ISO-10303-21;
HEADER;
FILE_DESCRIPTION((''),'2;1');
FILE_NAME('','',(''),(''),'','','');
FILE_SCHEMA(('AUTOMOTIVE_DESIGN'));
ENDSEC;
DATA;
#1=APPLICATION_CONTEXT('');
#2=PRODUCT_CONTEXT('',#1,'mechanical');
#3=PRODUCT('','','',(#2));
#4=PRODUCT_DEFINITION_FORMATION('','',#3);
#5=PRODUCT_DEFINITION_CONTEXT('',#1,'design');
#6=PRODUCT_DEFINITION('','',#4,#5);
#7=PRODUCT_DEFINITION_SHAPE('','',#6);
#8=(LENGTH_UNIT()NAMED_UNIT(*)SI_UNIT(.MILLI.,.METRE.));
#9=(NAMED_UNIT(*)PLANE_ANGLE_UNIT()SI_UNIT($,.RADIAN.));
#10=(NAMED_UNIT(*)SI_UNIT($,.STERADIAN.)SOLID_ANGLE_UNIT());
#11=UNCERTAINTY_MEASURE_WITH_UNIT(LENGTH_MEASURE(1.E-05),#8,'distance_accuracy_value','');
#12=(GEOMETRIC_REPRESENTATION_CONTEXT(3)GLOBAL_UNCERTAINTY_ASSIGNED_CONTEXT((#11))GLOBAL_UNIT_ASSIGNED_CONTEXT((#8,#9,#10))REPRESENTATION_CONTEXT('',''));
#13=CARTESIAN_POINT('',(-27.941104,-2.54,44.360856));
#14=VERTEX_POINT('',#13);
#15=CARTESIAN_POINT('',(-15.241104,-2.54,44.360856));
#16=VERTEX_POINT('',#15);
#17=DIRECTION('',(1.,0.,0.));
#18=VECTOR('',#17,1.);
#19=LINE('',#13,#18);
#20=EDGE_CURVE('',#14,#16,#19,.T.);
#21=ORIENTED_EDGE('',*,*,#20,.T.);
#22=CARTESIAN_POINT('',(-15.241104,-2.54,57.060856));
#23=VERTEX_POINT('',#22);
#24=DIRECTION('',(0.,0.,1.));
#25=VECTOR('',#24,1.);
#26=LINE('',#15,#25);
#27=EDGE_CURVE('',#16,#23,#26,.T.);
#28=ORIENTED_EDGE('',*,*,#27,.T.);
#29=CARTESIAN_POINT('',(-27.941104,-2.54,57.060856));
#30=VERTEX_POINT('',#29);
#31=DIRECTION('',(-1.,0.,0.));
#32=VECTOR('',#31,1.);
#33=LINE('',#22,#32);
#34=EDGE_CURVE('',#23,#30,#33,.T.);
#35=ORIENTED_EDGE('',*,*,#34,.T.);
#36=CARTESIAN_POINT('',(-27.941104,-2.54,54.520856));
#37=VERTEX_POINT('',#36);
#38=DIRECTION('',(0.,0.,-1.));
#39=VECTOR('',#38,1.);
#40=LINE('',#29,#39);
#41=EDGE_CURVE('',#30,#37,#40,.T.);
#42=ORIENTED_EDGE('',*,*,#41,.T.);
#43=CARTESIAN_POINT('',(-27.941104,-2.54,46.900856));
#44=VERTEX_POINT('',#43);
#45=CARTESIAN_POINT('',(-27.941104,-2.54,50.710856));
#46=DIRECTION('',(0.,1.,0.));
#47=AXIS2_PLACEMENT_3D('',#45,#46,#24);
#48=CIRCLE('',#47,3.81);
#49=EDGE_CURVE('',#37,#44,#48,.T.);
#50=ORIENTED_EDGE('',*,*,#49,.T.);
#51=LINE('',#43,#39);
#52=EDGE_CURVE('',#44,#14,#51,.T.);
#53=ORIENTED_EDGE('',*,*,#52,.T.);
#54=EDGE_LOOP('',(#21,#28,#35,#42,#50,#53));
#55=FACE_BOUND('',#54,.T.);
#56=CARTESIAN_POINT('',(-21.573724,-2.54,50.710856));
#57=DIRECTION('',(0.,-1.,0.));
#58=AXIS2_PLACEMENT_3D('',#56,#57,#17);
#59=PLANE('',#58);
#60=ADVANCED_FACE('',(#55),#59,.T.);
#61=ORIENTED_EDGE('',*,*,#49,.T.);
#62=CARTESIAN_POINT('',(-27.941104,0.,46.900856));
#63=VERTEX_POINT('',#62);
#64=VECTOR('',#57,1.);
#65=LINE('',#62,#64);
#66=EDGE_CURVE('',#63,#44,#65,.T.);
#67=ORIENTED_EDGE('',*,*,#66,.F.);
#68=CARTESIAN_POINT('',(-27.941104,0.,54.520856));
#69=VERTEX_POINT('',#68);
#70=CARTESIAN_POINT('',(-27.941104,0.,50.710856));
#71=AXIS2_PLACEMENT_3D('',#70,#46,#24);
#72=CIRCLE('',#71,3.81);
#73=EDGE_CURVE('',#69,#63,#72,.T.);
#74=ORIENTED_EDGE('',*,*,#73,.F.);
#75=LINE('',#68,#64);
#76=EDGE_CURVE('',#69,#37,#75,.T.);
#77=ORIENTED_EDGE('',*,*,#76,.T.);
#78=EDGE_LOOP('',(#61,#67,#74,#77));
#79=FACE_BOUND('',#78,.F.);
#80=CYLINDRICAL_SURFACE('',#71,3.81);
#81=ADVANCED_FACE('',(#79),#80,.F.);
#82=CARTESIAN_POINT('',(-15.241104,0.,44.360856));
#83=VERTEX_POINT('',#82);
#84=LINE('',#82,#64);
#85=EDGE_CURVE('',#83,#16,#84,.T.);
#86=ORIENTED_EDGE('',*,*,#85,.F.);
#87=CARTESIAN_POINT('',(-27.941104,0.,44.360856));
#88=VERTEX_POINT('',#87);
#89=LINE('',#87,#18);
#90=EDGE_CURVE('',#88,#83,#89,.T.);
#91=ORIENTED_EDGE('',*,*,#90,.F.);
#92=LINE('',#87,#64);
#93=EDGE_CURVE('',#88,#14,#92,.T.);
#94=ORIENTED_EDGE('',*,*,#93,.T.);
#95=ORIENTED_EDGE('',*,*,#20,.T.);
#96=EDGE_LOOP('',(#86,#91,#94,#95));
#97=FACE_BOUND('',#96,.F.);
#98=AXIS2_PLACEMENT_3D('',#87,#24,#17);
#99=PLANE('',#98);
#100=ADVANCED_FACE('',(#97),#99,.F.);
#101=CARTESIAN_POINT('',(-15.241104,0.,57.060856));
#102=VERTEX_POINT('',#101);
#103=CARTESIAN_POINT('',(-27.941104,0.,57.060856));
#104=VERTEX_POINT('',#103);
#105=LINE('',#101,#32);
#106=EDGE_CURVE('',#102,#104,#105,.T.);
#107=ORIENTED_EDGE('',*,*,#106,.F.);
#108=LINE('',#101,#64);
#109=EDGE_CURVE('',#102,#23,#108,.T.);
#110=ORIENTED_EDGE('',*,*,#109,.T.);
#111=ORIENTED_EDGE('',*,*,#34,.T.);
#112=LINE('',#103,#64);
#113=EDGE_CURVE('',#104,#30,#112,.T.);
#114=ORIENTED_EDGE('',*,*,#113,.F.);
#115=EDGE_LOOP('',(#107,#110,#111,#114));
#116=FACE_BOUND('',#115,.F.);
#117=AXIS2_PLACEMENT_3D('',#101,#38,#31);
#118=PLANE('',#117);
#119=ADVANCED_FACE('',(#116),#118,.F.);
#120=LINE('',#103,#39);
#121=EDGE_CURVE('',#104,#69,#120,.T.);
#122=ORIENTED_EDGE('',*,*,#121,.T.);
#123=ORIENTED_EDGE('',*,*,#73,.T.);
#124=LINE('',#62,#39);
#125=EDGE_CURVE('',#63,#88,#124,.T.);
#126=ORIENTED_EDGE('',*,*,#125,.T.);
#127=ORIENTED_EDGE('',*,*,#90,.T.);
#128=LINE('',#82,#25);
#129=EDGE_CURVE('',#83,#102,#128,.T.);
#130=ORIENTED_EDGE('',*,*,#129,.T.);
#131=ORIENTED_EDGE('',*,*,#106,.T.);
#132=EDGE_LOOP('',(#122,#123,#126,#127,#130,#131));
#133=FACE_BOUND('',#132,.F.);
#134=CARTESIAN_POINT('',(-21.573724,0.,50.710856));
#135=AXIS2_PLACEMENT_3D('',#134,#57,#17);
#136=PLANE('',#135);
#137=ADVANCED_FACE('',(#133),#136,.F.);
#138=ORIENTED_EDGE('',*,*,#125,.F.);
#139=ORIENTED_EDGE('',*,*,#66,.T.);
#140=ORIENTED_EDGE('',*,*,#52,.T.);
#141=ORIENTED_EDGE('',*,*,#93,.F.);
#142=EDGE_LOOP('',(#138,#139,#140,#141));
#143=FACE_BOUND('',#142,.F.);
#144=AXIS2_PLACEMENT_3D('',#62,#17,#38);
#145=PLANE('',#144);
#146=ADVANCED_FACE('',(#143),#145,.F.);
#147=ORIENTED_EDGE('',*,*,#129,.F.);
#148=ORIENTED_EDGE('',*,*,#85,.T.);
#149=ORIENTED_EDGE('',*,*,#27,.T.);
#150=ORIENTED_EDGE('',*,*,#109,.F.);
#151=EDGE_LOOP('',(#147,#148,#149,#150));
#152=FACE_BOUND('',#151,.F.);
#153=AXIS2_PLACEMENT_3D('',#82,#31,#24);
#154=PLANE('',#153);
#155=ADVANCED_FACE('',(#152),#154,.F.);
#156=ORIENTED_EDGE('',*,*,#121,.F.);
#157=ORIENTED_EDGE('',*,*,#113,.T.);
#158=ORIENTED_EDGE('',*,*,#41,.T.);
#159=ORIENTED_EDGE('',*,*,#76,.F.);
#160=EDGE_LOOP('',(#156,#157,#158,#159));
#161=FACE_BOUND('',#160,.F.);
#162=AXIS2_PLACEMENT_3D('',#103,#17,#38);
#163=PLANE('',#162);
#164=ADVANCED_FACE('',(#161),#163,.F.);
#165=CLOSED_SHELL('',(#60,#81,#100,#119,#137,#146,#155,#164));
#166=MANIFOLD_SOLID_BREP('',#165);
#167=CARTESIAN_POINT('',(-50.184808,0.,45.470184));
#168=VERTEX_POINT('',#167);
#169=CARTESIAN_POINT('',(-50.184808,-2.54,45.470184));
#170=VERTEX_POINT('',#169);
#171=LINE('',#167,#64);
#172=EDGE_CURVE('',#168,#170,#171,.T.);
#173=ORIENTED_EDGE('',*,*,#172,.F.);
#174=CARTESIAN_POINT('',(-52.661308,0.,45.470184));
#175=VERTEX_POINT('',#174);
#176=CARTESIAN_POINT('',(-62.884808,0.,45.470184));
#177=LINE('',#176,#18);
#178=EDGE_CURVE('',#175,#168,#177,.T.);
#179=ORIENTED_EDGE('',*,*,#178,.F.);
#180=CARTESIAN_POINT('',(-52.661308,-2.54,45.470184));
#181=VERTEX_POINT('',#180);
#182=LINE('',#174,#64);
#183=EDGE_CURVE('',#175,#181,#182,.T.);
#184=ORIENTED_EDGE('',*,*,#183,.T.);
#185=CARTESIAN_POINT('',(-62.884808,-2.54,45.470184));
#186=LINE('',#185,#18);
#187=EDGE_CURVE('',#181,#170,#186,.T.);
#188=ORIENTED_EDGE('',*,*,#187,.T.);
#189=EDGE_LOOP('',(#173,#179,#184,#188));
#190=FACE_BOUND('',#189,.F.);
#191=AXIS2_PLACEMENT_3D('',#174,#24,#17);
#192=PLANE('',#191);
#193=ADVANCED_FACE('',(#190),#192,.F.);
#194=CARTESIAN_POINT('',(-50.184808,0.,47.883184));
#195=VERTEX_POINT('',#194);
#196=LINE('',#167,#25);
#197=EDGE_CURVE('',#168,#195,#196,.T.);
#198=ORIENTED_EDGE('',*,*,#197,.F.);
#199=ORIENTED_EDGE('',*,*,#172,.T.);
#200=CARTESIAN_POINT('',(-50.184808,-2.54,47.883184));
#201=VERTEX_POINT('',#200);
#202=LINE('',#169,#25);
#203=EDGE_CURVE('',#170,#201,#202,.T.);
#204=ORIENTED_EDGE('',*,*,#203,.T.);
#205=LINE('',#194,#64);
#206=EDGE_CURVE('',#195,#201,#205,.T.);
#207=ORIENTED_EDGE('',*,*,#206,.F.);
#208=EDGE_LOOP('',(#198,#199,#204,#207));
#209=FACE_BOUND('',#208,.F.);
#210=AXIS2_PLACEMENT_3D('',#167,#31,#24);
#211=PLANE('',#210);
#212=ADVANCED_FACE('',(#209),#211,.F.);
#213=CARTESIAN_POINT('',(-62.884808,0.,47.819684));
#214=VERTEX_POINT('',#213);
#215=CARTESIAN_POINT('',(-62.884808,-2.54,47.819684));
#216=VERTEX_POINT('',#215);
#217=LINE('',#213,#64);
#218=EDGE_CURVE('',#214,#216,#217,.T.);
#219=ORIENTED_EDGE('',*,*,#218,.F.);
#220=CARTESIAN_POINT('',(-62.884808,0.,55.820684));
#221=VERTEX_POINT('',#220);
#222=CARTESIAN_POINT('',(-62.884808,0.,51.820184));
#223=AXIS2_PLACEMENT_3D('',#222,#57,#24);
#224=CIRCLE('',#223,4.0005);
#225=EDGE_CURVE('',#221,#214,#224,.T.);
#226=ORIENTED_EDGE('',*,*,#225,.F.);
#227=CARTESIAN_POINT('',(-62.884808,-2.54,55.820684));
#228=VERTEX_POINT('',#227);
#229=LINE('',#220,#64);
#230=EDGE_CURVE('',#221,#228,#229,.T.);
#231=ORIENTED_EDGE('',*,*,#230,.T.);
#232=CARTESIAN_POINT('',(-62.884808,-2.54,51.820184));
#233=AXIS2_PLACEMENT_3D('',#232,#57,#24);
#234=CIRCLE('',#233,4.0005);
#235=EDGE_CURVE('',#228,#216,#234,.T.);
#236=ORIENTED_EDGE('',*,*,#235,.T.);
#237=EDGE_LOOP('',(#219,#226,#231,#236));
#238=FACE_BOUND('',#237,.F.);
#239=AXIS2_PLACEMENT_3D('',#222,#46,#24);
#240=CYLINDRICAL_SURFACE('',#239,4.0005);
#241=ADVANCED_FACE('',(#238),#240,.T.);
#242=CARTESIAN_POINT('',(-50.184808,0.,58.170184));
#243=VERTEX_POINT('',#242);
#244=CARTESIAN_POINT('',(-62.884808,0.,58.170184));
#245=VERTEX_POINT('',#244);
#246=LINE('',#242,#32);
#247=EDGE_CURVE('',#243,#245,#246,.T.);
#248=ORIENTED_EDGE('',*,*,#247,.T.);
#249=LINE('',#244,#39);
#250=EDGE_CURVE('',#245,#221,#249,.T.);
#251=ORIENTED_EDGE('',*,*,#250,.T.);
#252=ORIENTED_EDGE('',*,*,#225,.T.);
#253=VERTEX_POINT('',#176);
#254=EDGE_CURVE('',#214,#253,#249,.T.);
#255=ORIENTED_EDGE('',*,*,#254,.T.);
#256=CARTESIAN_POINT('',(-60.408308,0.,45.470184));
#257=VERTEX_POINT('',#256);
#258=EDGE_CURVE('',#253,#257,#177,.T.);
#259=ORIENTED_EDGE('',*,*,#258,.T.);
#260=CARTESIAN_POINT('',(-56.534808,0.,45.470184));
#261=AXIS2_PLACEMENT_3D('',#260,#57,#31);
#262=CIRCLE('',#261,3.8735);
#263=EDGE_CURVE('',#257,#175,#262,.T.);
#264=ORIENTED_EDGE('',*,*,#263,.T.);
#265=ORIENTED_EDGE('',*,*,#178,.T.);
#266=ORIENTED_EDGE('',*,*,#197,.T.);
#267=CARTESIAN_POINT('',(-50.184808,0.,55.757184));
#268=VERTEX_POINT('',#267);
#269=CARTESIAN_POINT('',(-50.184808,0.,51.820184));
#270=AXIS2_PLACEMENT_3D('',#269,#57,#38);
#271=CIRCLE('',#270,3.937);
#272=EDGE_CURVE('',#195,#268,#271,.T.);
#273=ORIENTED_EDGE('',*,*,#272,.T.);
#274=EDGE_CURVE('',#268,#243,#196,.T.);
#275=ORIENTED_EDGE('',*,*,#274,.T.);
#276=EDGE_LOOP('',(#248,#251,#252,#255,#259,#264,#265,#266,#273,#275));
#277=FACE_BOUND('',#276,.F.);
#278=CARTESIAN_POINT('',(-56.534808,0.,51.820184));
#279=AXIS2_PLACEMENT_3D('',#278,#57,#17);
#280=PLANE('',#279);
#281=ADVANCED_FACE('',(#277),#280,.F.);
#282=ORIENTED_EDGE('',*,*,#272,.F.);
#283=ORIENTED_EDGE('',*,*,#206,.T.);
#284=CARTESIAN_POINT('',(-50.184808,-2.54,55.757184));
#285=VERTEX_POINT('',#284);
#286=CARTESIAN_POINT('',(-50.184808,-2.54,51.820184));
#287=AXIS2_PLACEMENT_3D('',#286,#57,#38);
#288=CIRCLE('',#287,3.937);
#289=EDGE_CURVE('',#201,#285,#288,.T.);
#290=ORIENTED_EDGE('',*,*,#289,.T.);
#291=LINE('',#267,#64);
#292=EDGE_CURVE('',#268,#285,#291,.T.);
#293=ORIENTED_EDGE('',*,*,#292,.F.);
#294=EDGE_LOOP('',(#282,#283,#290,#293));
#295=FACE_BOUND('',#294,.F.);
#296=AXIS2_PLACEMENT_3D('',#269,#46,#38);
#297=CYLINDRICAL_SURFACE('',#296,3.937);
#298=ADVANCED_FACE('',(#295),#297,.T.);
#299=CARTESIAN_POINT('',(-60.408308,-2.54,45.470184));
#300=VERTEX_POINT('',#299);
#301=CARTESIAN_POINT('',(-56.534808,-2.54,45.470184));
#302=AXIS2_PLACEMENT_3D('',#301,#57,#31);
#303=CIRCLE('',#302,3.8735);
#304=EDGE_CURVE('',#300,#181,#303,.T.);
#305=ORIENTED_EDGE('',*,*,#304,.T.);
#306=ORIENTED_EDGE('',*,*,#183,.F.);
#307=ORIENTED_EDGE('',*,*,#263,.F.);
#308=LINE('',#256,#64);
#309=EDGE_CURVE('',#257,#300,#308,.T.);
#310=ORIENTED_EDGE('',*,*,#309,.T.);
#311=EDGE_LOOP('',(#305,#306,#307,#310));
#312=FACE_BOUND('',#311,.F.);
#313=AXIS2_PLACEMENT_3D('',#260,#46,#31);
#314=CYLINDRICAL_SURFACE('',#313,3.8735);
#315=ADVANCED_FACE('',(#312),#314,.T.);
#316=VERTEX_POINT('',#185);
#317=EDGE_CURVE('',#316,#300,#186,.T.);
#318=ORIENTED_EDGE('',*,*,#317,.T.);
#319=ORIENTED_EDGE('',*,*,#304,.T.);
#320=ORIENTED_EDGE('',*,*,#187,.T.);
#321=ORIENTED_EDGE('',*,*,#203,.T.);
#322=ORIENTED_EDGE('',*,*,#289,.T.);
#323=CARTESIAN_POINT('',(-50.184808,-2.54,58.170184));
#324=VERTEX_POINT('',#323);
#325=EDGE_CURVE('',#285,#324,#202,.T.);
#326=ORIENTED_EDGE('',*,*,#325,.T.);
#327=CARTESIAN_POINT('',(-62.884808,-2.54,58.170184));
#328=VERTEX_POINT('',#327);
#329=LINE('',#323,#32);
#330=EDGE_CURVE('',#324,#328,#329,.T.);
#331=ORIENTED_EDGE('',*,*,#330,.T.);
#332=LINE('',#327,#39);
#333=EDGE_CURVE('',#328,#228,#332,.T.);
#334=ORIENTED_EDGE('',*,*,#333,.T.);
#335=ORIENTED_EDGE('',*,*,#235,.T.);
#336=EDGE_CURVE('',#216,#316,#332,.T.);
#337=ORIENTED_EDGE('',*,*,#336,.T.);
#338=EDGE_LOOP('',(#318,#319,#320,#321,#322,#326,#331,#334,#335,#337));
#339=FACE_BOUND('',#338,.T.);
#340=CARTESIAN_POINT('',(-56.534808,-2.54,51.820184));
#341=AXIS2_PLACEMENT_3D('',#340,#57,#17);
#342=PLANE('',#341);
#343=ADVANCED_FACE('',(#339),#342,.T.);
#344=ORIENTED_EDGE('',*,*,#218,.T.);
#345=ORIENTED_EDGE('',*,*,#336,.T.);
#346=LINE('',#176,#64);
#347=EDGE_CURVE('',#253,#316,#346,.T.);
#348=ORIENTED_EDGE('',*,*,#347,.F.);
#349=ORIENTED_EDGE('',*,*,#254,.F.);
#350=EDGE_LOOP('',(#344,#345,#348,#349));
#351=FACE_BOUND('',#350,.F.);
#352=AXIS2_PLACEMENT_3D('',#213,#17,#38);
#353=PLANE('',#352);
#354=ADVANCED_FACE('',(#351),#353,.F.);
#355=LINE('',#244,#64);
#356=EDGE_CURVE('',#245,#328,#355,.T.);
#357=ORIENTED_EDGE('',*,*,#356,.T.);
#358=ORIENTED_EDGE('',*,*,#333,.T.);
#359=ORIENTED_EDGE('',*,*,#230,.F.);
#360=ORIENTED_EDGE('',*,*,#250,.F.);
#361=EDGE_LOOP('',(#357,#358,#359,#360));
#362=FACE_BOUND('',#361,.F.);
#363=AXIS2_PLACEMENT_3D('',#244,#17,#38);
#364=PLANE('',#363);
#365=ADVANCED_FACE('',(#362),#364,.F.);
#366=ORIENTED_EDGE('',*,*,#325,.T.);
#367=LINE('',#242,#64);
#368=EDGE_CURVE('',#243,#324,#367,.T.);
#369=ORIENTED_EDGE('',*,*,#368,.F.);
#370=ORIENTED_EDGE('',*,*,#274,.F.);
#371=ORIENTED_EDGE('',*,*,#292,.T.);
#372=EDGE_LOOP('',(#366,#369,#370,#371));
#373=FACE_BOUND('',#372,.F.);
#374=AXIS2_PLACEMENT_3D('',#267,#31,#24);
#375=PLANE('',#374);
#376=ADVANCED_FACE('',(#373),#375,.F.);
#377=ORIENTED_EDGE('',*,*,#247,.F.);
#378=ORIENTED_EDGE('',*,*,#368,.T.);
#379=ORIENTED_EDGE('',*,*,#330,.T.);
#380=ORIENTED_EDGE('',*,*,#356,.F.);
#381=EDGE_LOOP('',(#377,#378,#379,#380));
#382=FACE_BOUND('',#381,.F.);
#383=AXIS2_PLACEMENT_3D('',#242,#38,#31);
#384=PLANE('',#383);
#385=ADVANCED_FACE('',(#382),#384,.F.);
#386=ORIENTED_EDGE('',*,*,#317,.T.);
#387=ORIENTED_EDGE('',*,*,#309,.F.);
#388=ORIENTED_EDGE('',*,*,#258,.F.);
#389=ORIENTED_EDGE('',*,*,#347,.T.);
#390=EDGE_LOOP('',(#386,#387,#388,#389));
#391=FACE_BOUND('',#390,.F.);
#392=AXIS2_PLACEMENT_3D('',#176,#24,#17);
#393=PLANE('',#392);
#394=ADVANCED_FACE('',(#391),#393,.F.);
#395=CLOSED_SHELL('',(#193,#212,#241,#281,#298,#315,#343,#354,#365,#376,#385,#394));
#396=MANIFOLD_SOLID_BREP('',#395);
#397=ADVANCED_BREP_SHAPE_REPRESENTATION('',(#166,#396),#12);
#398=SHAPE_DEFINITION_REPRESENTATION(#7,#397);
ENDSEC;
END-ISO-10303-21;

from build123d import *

# Parameters (mm, degrees)
F2_DEPTH = 2.54
F3_DEPTH = 2.54


with BuildPart() as f2:
    # F1 (on Front) → F2 (new body)
    with BuildSketch(Plane.XZ):
        with BuildLine():
            Line((-15.241104, 57.060856), (-27.941104, 57.060856))
            Line((-27.941104, 57.060856), (-27.941104, 54.520856))
            ThreePointArc((-27.941104, 54.520856), (-24.131104, 50.710856), (-27.941104, 46.900856))
            Line((-27.941104, 46.900856), (-27.941104, 44.360856))
            Line((-27.941104, 44.360856), (-15.241104, 44.360856))
            Line((-15.241104, 44.360856), (-15.241104, 57.060856))
        make_face()
    extrude(amount=F2_DEPTH)


with BuildPart() as f3:
    # F0 (on Front) → F3 (new body)
    with BuildSketch(Plane.XZ):
        Polygon((-50.184808, 58.170184), (-62.884808, 58.170184), (-62.884808, 55.820684), (-62.884808, 47.819684), (-62.884808, 45.470184), (-60.598808, 45.470184), (-60.408308, 45.470184), (-56.534808, 45.470184), (-52.661308, 45.470184), (-52.470808, 45.470184), (-50.184808, 45.470184), (-50.184808, 47.502184), (-50.184808, 47.883184), (-50.184808, 55.757184), (-50.184808, 56.138184), align=None)
        with BuildLine():
            Line((-62.884808, 47.819684), (-62.884808, 55.820684))
            ThreePointArc((-62.884808, 55.820684), (-66.885308, 51.820184), (-62.884808, 47.819684))
        make_face()
        with BuildLine():
            ThreePointArc((-50.184808, 47.883184), (-46.247808, 51.820184), (-50.184808, 55.757184))
            Line((-50.184808, 55.757184), (-50.184808, 47.883184))
        make_face()
        with BuildLine():
            Line((-56.534808, 45.470184), (-60.408308, 45.470184))
            ThreePointArc((-60.408308, 45.470184), (-56.534808, 41.596684), (-52.661308, 45.470184))
            Line((-52.661308, 45.470184), (-56.534808, 45.470184))
        make_face()
    extrude(amount=F3_DEPTH)


solid = Compound([f2.part, f3.part])
